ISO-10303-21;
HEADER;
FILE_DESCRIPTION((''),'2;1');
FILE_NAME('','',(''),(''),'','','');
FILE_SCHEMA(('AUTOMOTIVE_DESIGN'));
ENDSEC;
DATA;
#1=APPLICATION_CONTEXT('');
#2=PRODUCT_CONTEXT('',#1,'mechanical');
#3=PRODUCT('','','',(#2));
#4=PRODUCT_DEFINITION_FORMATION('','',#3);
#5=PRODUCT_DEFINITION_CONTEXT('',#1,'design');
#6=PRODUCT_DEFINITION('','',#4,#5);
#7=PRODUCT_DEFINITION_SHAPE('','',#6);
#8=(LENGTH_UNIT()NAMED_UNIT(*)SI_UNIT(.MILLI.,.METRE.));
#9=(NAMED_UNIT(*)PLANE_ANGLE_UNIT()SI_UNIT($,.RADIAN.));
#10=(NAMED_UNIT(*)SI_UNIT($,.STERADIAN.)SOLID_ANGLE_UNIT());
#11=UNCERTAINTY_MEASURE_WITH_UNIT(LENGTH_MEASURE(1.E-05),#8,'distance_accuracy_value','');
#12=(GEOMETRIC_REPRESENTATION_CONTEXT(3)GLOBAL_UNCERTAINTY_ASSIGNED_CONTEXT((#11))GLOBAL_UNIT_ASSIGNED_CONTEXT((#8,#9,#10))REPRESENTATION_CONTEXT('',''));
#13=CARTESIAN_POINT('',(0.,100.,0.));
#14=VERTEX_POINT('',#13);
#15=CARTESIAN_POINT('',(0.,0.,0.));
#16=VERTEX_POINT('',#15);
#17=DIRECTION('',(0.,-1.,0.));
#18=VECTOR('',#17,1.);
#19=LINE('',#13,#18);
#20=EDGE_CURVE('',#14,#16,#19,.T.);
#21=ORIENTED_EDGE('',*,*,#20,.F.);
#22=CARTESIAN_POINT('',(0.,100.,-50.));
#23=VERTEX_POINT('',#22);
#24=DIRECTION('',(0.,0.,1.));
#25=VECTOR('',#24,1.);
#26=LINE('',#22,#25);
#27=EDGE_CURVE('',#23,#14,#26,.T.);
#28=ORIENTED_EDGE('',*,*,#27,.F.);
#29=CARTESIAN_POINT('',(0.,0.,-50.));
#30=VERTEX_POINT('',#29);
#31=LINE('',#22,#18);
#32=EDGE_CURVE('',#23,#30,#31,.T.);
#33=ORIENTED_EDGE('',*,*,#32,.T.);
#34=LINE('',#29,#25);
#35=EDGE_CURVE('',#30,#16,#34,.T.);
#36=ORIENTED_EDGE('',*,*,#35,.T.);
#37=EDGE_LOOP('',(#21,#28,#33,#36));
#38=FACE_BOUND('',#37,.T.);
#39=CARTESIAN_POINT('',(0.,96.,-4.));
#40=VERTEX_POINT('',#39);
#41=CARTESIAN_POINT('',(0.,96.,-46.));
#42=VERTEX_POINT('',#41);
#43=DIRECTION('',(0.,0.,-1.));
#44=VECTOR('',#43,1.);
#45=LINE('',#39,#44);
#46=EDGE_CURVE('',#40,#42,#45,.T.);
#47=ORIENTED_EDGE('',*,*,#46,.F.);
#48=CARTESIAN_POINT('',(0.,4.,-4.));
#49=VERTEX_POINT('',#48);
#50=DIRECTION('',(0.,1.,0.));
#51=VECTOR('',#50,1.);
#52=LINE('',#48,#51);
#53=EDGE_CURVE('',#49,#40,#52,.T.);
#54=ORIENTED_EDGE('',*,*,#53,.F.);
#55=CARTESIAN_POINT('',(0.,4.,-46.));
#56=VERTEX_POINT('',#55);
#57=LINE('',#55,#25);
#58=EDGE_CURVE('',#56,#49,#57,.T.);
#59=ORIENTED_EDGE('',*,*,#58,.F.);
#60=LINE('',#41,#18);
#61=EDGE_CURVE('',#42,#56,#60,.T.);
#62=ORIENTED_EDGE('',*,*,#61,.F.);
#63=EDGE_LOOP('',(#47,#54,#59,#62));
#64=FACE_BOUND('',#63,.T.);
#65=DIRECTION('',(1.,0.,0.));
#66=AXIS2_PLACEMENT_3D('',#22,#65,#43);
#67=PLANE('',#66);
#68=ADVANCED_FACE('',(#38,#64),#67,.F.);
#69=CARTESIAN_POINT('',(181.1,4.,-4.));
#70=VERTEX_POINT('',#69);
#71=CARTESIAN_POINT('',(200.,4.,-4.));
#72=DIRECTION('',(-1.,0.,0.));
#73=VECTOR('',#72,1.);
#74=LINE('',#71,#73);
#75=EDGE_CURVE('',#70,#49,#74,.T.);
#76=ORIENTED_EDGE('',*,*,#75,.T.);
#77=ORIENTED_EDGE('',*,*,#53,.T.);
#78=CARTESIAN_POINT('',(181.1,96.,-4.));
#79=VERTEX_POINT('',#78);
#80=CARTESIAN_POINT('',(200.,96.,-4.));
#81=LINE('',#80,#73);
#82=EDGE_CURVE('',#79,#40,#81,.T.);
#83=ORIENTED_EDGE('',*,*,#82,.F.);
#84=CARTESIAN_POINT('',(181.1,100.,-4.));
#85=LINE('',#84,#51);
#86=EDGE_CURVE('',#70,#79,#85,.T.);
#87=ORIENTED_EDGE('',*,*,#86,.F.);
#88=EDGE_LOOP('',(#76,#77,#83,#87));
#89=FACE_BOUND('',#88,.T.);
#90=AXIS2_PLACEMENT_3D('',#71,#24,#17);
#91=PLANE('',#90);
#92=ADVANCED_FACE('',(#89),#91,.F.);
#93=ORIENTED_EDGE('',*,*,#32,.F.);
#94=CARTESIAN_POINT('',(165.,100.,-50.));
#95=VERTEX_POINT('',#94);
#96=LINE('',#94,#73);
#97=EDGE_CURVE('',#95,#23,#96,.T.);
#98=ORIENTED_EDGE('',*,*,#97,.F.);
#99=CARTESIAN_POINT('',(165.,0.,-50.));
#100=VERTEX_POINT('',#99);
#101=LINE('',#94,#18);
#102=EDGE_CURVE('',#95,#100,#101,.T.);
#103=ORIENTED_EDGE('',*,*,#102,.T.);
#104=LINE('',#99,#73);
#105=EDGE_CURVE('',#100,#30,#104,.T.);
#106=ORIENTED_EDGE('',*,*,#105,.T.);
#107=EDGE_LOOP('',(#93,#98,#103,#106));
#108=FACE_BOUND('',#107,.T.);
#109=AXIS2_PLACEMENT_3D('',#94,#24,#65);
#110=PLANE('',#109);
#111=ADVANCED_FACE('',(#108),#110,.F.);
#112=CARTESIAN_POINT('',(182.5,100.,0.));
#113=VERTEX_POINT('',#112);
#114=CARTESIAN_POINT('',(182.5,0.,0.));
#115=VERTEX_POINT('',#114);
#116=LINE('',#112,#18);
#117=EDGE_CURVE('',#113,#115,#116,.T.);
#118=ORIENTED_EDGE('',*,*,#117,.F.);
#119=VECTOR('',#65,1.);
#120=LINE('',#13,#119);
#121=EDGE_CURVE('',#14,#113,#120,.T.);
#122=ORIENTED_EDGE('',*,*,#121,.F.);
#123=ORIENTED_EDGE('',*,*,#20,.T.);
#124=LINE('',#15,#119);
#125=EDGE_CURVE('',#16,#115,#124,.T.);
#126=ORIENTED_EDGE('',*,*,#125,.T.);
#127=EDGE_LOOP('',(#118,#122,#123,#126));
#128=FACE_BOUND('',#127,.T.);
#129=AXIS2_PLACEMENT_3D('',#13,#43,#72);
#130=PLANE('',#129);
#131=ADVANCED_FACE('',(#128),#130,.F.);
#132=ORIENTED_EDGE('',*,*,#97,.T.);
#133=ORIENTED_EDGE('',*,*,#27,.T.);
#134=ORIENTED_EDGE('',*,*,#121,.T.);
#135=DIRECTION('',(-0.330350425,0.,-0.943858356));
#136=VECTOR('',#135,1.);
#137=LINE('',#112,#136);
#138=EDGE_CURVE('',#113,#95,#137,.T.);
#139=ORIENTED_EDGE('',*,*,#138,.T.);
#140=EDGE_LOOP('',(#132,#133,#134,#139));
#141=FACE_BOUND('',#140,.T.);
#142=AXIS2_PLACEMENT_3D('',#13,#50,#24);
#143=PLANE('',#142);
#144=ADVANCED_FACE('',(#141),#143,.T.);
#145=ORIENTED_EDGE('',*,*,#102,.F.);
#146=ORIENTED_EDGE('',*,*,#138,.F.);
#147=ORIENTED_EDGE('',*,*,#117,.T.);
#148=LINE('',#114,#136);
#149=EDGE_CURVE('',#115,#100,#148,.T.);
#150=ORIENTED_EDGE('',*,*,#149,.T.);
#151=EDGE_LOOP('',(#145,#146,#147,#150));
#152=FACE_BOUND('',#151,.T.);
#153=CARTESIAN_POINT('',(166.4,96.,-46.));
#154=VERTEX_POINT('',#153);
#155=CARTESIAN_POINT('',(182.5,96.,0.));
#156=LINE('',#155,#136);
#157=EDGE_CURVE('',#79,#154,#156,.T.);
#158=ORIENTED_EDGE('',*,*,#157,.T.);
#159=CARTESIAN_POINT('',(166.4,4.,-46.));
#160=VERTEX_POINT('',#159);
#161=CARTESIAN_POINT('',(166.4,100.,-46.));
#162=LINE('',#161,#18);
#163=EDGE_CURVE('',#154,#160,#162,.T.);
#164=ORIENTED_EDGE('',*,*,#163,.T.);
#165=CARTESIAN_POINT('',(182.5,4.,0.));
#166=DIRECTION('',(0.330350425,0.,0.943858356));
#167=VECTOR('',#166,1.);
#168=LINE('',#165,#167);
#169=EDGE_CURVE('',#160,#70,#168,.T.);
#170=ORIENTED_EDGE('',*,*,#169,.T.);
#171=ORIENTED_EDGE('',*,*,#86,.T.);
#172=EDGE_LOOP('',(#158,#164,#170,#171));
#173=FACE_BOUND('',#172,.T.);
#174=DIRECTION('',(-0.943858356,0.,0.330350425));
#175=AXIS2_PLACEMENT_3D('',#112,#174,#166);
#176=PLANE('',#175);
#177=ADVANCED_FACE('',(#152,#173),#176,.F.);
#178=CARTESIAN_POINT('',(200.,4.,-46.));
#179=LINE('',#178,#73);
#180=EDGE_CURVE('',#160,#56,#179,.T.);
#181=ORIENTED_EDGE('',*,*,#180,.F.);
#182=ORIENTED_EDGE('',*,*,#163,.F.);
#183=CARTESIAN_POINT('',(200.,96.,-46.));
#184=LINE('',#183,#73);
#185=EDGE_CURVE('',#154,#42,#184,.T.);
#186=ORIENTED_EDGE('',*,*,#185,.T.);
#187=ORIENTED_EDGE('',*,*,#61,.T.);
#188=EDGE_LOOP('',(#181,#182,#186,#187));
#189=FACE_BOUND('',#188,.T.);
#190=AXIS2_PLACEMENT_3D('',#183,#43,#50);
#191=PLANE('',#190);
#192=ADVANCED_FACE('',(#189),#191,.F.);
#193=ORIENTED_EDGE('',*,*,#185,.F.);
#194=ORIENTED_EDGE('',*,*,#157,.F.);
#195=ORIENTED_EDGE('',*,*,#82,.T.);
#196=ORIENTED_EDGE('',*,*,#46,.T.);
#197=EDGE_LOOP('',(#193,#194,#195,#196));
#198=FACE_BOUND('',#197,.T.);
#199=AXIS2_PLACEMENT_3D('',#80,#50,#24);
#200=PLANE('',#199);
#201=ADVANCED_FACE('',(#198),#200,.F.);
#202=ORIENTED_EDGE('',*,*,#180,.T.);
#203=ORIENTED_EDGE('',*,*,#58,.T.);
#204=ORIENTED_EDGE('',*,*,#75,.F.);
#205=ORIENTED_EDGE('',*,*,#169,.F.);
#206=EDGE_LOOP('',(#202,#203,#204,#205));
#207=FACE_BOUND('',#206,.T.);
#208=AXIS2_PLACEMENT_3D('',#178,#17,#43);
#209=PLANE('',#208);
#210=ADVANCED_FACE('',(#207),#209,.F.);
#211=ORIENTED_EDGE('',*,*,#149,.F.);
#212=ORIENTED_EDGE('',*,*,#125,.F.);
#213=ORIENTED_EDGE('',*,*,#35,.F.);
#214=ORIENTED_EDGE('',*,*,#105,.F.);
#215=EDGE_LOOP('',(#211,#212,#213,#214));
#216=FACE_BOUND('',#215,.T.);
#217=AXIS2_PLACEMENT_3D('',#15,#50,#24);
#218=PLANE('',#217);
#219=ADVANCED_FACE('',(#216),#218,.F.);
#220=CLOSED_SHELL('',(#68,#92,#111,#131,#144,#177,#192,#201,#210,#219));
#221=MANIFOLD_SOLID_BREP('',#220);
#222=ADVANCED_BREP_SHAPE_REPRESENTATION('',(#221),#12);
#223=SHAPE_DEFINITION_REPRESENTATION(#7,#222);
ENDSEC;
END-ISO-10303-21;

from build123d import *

# Parameters (mm, degrees)
DODANIE_WYCI_GNI_CIE1_DEPTH = 100
SZKIC2_W                    = 42
SZKIC2_H                    = 92
WYTNIJ_WYCI_GNI_CIE1_DEPTH  = 200


with BuildPart() as part:
    # Szkic1 → Dodanie-wyciągnięcie1 (new body)
    with BuildSketch(Plane(origin=(0, 0, 0), x_dir=(1, 0, 0), z_dir=(0, 1, 0))):
        Polygon((0, 0), (182.5, 0), (165, 50), (0, 50), align=None)
    extrude(amount=DODANIE_WYCI_GNI_CIE1_DEPTH)

    # Szkic2 → Wytnij-wyciągnięcie1 (cut)
    with BuildSketch(Plane.ZY):
        with Locations((-25, 50)):
            Rectangle(SZKIC2_W, SZKIC2_H)
    extrude(amount=-WYTNIJ_WYCI_GNI_CIE1_DEPTH, mode=Mode.SUBTRACT)


solid = part.part
